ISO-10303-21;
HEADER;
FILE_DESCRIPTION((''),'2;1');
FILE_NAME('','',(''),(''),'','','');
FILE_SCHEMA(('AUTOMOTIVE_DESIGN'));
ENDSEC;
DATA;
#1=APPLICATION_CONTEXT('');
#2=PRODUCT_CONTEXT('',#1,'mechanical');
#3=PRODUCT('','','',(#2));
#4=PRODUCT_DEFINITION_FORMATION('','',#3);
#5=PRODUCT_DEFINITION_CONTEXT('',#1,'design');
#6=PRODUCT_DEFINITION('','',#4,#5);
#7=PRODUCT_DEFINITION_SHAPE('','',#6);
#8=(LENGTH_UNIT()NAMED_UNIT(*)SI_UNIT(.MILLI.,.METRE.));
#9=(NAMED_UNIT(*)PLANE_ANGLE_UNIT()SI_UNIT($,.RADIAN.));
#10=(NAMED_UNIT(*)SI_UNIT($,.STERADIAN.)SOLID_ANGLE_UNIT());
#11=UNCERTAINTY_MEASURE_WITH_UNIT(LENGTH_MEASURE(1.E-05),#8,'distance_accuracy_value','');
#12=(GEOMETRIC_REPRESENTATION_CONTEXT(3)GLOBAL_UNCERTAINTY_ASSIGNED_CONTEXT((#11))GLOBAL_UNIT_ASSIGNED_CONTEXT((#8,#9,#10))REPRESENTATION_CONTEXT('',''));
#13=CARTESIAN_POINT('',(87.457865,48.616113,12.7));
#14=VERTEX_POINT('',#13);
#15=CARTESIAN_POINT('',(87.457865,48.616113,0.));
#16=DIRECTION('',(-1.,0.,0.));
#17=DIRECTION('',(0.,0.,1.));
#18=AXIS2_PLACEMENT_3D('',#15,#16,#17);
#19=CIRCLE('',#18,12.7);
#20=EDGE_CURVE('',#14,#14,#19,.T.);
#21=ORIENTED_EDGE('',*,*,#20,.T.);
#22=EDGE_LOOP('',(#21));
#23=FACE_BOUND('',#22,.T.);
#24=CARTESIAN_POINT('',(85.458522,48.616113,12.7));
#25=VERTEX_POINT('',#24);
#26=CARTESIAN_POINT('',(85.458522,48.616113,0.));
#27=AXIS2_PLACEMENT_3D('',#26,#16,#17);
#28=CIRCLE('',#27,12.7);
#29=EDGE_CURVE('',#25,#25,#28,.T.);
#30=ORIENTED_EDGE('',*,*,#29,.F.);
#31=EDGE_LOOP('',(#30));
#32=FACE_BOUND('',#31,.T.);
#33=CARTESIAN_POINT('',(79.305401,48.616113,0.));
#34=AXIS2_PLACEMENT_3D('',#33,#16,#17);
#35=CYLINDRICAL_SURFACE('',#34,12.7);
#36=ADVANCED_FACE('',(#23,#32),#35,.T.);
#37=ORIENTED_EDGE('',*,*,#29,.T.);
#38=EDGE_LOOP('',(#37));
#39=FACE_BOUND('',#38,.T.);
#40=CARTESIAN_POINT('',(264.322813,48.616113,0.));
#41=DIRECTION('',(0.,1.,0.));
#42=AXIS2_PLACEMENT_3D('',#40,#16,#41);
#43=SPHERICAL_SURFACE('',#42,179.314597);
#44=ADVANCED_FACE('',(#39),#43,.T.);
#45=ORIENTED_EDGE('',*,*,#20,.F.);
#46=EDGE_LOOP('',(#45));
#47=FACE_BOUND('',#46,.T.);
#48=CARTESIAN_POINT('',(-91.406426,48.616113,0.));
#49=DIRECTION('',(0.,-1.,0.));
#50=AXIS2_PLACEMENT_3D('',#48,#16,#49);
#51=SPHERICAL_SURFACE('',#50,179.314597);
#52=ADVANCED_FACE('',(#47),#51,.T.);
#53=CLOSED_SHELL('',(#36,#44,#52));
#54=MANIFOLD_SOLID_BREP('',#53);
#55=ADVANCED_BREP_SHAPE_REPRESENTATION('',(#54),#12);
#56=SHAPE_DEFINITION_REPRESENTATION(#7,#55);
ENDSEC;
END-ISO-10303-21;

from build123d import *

# Parameters (mm, degrees)
SKETCH_1_ONE_SIDE_W = 1.999342857
SKETCH_1_ONE_SIDE_H = 12.7


with BuildPart() as part:
    # 草图1 one side → 旋转1 (revolve)
    with BuildSketch(Plane.XY, mode=Mode.PRIVATE) as revolve_1_sk:
        with Locations((86.458193775, 54.966113023)):
            Rectangle(SKETCH_1_ONE_SIDE_W, SKETCH_1_ONE_SIDE_H)
        with BuildLine():
            Line((85.008216632, 48.616113023), (85.458522346, 48.616113023))
            Line((85.458522346, 48.616113023), (85.458522346, 61.316113023))
            ThreePointArc((85.458522346, 61.316113023), (85.120828421, 54.970103408), (85.008216632, 48.616113023))
        make_face()
        with BuildLine():
            Line((87.457865203, 48.616113023), (87.908170918, 48.616113023))
            ThreePointArc((87.908170918, 48.616113023), (87.795559128, 54.970103408), (87.457865203, 61.316113023))
            Line((87.457865203, 61.316113023), (87.457865203, 48.616113023))
        make_face()
    revolve(revolve_1_sk.sketch.rotate(Axis((79.305401351, 48.616113023, 0), (1, 0, 0)), 90), axis=Axis((79.305401351, 48.616113023, 0), (1, 0, 0)))  # turned: the seam where the file's is


solid = part.part
